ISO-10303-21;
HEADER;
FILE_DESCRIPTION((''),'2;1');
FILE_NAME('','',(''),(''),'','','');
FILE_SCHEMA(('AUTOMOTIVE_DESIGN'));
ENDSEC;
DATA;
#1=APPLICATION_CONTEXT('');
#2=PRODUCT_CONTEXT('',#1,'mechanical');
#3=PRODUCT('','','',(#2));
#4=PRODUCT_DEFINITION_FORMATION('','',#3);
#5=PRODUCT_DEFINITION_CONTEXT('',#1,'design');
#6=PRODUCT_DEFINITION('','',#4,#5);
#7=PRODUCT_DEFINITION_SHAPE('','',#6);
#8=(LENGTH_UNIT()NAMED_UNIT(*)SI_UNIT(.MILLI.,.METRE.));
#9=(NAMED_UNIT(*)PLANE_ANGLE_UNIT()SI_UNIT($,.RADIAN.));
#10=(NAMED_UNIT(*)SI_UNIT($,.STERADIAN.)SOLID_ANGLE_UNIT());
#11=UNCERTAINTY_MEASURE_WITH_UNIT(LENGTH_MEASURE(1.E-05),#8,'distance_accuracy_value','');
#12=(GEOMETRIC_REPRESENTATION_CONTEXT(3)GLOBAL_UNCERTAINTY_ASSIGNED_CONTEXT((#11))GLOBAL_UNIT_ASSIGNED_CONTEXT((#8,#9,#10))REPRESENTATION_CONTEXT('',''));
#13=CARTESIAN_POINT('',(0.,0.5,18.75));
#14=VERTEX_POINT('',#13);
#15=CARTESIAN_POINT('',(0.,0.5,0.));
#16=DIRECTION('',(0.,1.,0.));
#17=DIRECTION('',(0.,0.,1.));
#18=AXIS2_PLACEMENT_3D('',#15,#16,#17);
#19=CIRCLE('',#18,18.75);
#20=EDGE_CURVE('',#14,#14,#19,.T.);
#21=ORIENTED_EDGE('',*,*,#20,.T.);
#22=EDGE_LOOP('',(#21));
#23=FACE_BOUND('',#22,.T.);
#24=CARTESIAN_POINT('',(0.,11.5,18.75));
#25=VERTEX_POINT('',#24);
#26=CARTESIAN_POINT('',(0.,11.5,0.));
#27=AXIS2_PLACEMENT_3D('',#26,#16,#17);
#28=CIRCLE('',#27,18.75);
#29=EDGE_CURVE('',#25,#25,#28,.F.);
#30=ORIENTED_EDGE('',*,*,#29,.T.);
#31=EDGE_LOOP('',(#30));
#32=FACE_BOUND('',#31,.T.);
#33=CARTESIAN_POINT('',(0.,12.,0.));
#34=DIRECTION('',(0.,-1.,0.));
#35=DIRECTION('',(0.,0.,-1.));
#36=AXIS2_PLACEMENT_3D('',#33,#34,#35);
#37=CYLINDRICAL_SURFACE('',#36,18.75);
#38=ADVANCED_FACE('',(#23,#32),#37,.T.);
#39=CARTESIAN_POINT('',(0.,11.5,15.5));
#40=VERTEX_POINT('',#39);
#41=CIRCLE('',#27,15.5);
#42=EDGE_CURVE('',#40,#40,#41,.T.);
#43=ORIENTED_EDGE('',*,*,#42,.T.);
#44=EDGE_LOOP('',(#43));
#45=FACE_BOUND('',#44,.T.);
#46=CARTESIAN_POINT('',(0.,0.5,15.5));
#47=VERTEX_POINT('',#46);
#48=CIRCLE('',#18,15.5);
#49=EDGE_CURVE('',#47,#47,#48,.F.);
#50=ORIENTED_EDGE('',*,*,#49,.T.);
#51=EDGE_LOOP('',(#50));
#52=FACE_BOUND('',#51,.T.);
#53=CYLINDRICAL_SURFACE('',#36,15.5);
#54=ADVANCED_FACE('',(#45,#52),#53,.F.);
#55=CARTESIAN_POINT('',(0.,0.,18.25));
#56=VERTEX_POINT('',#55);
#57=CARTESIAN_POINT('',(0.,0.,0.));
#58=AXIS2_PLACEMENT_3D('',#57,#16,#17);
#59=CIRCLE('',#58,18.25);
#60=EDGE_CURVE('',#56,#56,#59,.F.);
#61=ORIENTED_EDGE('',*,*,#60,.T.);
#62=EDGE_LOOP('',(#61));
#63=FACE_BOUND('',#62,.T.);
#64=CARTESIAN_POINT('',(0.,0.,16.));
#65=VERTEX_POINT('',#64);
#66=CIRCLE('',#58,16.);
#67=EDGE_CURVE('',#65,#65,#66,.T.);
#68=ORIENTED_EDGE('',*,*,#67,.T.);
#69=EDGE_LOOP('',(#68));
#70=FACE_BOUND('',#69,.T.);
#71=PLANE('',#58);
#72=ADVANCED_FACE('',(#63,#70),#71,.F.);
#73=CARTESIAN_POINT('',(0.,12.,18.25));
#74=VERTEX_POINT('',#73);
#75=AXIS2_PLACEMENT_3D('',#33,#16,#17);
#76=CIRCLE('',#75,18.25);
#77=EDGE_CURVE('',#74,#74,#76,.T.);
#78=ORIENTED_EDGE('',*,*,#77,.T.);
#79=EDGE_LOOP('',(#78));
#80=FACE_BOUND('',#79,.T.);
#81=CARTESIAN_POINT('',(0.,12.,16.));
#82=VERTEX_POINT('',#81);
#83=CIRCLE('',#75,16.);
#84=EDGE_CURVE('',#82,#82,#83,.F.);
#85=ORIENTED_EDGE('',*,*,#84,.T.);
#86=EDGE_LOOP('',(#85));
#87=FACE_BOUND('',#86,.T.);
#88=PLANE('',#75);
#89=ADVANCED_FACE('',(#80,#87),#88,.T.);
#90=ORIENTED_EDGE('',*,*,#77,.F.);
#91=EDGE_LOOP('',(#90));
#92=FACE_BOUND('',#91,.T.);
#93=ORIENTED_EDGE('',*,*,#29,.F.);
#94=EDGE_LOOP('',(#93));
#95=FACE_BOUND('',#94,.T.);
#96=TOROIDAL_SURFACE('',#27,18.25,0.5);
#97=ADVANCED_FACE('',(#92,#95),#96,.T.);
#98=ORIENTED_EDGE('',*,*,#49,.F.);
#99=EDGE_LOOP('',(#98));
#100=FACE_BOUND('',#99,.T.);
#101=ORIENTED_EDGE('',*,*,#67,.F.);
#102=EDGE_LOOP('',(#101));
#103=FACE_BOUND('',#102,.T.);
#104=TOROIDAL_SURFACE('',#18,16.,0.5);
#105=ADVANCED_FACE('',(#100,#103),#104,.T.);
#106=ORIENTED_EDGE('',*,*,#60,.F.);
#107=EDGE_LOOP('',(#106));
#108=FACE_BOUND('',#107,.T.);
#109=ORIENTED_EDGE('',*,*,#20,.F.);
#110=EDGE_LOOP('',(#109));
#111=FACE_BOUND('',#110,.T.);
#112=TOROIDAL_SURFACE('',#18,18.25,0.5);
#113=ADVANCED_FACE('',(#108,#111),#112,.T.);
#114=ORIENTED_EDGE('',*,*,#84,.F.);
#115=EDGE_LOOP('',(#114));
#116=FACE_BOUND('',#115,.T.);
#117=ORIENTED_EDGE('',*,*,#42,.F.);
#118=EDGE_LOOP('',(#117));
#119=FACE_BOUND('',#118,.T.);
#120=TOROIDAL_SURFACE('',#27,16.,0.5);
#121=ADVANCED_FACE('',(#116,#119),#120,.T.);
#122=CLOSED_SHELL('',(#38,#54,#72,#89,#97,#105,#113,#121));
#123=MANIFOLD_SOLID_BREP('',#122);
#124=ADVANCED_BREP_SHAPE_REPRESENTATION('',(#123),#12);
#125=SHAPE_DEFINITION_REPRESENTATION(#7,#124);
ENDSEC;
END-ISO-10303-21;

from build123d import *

# Parameters (mm, degrees)
ESQUISSE1_R        = 18.75
ESQUISSE1_R_2      = 15.5
BOSS_EXTRU_1_DEPTH = 12
CONG_1_R           = 0.5


with BuildPart() as part:
    # Esquisse1 → Boss.-Extru.1 (new body)
    with BuildSketch(Plane(origin=(0, 0, 0), x_dir=(1, 0, 0), z_dir=(0, 1, 0))):
        with Locations(Location((0, 0, 0), (0, 0, 270))):  # turned: the seam where the file's is
            Circle(ESQUISSE1_R)
        with Locations(Location((0, 0, 0), (0, 0, 270))):  # turned: the seam where the file's is
            Circle(ESQUISSE1_R_2, mode=Mode.SUBTRACT)
    extrude(amount=BOSS_EXTRU_1_DEPTH)

    # Congé1
    cong_1_edges = [part.edges().sort_by_distance(p)[0] for p in [
        (0, 0, -18.75),
        (0, 12, -18.75),
        (0, 0, -15.5),
        (0, 12, -15.5),
    ]]
    fillet(cong_1_edges, radius=CONG_1_R)


solid = part.part
